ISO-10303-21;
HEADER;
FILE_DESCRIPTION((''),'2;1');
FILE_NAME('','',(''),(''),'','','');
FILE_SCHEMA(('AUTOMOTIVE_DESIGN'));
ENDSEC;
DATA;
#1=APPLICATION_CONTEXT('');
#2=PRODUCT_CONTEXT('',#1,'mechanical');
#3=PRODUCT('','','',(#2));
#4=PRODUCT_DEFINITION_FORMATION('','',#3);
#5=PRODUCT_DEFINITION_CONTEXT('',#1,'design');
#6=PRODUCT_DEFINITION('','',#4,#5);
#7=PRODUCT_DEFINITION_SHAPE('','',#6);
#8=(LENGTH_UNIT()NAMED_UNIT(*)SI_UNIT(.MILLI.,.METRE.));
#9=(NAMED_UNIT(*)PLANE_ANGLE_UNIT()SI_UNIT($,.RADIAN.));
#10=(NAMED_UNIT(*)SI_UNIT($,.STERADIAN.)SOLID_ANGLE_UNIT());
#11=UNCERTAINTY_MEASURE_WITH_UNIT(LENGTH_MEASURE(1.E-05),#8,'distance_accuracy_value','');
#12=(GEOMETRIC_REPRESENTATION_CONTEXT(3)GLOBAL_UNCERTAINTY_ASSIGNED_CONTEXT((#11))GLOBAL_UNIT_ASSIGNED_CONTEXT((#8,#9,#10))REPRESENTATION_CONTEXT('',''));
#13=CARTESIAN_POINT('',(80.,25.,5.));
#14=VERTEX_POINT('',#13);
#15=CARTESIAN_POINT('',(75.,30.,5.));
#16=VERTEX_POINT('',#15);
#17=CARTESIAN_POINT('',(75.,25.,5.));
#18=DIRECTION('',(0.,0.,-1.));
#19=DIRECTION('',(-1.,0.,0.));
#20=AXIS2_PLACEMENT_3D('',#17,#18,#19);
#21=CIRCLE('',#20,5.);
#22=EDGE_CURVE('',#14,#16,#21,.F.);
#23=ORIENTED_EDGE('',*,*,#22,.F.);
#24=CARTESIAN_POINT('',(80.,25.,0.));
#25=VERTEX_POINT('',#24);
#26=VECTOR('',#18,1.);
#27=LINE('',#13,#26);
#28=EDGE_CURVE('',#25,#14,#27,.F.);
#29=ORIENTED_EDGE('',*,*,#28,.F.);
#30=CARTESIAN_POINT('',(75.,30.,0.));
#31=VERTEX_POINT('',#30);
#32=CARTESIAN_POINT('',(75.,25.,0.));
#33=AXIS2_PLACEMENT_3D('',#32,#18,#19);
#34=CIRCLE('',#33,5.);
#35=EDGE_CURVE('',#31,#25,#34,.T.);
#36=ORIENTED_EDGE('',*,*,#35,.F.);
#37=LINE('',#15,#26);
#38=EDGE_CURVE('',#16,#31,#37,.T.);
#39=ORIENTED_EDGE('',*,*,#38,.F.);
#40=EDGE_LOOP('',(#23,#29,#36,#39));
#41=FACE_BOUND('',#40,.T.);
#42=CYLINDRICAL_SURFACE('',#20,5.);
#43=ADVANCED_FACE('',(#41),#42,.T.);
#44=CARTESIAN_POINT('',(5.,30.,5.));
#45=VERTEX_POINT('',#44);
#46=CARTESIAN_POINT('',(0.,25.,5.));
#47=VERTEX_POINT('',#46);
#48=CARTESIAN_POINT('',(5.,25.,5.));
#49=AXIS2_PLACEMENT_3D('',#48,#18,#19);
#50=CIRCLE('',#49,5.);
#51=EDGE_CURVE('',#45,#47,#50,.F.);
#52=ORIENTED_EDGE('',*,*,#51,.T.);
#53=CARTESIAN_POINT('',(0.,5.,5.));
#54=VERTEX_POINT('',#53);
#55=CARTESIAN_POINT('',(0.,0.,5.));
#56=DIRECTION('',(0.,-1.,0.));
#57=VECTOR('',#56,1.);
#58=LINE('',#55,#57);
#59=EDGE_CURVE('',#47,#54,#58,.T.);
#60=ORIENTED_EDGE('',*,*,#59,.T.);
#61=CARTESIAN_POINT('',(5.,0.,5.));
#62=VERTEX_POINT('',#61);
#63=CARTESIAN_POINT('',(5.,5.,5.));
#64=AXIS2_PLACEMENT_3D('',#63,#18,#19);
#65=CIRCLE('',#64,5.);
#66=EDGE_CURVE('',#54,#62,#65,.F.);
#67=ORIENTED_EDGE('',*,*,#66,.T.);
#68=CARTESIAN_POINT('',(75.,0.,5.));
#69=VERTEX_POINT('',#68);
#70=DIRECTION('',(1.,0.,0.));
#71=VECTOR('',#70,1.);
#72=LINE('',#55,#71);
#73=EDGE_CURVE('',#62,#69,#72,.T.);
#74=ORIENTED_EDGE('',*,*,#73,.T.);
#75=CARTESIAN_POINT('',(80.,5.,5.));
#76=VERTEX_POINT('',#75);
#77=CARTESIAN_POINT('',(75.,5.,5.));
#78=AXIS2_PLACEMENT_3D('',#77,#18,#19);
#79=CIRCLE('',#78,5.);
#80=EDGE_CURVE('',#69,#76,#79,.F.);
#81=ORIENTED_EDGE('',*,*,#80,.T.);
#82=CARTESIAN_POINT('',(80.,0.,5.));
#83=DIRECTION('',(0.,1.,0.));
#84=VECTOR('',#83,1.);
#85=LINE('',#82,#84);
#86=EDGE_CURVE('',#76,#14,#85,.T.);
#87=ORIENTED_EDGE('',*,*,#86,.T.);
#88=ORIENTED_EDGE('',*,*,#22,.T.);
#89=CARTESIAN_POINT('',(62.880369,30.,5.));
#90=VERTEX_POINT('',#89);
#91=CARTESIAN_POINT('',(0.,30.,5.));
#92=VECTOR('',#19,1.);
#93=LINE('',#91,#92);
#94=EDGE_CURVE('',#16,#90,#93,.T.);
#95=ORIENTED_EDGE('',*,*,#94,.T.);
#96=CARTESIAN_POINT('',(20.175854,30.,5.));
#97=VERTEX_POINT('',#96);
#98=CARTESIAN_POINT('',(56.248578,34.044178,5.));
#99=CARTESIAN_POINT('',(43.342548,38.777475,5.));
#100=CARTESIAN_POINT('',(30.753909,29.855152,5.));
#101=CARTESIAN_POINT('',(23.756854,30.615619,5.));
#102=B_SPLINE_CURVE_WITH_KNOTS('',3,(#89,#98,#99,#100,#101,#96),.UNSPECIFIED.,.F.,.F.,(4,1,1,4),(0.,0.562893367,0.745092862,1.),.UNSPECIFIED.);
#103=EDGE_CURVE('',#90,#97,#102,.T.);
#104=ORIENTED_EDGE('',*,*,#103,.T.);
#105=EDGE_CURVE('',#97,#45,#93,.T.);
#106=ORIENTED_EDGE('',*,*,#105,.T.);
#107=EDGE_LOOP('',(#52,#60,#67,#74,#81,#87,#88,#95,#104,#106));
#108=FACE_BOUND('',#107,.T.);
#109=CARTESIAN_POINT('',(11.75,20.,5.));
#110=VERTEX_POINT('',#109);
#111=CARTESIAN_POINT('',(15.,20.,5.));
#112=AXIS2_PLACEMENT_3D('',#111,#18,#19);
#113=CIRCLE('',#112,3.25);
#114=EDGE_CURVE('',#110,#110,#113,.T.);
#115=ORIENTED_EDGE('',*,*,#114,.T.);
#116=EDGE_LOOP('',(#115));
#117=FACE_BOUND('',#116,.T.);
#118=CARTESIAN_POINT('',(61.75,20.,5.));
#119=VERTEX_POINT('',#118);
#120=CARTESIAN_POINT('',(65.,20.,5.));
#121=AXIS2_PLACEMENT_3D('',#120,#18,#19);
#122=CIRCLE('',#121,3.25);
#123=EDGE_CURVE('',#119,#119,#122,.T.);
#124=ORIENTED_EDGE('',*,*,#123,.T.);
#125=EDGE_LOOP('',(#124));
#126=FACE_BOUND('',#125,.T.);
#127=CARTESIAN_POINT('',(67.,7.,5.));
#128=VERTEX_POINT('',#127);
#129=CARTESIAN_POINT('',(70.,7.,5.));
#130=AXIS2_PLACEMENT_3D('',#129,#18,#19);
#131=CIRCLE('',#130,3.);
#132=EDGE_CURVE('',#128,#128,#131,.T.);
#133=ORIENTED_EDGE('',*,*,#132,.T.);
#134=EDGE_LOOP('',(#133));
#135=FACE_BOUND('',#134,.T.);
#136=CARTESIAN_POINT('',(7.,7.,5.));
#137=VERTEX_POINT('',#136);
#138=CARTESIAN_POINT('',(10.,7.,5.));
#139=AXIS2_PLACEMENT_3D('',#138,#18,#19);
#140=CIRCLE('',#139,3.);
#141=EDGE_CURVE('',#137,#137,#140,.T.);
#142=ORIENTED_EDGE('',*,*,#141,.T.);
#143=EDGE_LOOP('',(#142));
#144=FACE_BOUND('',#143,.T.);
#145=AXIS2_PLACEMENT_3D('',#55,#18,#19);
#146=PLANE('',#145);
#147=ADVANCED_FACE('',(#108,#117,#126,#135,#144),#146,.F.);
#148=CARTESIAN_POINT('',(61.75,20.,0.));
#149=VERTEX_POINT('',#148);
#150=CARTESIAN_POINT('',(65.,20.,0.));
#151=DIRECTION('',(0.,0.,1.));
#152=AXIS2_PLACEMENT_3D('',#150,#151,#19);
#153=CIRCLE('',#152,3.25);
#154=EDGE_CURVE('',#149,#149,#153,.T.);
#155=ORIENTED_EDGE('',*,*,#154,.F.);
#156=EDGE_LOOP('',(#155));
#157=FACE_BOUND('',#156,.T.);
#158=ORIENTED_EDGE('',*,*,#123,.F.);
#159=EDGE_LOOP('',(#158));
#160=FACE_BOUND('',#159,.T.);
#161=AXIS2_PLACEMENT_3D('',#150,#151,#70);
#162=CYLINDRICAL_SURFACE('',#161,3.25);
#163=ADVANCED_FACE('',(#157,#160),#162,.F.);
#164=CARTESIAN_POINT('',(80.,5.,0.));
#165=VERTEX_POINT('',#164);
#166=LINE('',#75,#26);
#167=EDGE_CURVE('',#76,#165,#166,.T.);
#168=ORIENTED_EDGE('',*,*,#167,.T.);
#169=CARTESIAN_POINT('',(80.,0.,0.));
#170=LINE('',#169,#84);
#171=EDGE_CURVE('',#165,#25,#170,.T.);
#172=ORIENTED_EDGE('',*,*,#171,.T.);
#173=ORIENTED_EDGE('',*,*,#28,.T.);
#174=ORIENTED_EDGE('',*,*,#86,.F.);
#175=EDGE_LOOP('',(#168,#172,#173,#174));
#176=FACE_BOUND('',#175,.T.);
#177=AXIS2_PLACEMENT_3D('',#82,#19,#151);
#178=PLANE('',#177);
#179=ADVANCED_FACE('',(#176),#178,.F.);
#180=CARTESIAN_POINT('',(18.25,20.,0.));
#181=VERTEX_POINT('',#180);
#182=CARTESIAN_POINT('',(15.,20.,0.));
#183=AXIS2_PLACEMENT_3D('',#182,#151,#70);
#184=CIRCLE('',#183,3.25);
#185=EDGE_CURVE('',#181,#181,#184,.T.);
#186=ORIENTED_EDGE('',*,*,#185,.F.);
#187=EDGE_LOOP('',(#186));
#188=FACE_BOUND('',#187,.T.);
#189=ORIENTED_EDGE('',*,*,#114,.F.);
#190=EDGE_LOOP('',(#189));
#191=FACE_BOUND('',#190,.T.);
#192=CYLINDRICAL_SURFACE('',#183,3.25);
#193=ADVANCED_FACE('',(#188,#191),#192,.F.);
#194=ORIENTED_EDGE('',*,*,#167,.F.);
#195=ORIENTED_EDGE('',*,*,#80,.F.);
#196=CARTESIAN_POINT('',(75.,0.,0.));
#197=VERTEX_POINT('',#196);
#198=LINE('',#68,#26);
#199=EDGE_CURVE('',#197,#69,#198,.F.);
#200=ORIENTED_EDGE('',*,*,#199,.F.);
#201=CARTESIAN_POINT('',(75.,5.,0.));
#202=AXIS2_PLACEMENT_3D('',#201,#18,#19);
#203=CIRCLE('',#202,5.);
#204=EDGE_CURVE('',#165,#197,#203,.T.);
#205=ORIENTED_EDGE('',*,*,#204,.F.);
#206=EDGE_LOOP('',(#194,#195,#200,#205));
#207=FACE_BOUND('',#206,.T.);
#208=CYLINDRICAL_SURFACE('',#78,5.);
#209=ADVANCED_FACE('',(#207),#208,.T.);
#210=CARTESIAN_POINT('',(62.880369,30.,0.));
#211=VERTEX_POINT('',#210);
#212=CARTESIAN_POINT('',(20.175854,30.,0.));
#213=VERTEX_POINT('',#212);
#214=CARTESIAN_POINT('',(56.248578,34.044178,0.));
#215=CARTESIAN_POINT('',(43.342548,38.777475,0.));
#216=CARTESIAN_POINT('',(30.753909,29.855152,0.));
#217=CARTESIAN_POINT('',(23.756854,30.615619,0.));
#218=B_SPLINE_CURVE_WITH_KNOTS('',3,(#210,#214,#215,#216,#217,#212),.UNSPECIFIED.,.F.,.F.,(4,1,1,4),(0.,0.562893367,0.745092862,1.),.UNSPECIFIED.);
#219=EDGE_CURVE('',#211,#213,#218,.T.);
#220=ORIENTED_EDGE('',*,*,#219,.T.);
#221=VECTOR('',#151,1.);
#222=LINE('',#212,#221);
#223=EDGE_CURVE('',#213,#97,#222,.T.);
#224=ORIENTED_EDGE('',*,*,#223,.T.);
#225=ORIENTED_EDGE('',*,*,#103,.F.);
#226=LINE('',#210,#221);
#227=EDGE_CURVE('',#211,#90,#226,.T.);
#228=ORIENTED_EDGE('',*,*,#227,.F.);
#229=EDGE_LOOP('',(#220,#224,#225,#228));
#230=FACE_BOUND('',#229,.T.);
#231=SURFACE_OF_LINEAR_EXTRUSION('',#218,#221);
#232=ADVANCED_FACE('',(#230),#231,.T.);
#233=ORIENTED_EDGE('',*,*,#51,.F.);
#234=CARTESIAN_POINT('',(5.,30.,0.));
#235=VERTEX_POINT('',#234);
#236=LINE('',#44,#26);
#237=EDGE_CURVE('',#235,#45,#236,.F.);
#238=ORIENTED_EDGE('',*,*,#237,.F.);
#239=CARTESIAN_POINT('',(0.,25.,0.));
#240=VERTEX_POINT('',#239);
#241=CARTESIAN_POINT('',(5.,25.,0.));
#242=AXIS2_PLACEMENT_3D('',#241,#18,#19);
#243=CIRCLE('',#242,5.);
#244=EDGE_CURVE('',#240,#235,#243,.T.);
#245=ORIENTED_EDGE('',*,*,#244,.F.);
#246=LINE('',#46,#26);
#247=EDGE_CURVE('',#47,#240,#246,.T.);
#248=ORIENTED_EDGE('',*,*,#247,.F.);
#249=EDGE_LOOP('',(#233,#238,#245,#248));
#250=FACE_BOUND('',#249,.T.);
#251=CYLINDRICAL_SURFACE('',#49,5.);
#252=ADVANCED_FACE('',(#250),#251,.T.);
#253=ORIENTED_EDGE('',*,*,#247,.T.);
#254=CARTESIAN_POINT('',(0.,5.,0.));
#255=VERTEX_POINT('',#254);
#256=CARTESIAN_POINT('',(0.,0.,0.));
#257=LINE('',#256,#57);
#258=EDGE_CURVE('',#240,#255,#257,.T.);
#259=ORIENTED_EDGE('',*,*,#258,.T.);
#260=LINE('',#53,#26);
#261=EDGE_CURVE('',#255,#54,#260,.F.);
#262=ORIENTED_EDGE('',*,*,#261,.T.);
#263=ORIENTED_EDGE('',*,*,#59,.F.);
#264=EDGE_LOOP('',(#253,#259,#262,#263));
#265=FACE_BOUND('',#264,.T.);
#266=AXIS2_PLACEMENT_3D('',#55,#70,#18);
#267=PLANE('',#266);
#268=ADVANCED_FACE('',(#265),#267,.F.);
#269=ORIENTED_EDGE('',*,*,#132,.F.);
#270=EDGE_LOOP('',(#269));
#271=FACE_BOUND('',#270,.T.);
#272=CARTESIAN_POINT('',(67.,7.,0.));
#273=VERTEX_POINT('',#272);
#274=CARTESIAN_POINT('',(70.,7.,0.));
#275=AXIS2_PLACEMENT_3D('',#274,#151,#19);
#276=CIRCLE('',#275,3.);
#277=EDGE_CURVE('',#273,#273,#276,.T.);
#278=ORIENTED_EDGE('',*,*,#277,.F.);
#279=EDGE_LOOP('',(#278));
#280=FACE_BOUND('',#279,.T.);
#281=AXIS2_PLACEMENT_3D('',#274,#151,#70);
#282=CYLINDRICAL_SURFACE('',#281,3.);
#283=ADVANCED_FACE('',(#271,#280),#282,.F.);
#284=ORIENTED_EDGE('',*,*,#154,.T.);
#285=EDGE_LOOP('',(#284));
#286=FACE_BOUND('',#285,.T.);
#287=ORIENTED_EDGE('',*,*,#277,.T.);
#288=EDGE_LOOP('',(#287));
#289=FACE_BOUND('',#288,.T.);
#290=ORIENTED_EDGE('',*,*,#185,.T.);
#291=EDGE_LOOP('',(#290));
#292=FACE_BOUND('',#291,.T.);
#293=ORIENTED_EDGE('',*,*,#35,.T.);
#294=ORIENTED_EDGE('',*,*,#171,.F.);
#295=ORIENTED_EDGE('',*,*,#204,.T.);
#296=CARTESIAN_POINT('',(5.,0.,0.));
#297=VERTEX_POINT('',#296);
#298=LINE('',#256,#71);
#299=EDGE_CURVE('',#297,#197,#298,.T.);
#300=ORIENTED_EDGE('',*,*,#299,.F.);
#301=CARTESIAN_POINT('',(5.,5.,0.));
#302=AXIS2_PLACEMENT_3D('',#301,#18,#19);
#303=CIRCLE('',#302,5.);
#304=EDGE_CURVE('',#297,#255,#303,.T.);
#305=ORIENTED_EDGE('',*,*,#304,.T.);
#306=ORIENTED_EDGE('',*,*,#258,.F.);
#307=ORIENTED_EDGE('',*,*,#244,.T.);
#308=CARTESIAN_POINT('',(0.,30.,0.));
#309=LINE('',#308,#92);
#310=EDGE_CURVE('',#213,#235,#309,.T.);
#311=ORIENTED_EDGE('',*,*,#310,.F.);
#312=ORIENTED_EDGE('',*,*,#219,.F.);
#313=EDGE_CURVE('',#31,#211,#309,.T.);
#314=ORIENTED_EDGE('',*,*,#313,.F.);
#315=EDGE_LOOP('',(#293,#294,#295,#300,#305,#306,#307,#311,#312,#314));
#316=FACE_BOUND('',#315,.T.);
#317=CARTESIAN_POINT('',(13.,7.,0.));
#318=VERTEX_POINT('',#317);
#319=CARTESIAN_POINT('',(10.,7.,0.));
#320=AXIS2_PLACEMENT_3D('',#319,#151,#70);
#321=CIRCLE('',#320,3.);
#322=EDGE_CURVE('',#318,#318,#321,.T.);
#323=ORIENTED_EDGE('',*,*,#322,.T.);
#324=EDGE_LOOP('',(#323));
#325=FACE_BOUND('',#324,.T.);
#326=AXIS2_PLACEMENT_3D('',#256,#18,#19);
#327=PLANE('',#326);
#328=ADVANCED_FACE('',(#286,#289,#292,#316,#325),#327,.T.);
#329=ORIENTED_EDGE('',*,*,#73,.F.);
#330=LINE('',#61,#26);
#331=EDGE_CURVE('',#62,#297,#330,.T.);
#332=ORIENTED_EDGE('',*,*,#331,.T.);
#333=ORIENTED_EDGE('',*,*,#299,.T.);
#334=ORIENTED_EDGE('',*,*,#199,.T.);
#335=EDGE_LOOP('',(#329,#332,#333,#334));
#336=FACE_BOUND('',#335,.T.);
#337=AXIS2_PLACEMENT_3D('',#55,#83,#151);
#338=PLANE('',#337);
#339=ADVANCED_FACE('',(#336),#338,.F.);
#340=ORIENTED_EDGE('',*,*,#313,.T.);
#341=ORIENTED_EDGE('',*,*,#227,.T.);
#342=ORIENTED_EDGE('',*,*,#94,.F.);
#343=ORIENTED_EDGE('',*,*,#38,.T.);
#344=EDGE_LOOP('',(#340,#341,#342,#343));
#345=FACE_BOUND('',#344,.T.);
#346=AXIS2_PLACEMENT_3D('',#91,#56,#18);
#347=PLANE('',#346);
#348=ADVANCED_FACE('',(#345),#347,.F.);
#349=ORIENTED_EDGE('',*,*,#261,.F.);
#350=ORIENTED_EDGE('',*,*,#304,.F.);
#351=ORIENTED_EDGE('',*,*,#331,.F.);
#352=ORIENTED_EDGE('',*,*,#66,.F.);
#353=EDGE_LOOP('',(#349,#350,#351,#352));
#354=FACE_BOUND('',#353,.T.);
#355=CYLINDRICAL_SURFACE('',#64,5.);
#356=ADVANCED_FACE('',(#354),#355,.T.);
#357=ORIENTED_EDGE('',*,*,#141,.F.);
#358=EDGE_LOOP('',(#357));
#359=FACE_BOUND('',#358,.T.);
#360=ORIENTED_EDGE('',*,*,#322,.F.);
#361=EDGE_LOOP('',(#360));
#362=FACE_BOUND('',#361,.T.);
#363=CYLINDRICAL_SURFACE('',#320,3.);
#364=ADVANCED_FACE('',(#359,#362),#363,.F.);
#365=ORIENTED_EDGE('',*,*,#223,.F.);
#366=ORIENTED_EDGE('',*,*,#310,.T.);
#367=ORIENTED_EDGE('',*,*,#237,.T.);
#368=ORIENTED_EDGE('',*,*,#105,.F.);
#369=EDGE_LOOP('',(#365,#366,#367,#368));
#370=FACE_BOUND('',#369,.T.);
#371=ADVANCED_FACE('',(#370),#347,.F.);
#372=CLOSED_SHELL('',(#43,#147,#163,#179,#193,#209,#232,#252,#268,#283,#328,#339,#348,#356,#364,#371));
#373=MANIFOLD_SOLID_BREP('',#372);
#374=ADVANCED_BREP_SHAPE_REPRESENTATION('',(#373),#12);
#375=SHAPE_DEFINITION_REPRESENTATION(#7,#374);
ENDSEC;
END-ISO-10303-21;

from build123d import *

# Parameters (mm, degrees)
ESQUISSE1_W                  = 80
ESQUISSE1_H                  = 30
BOSS_EXTRU_1_DEPTH           = 5
ENL_V_MAT_EXTRU_1_DEPTH      = 86.586213843
ENL_V_MAT_EXTRU_1_DEPTH_BACK = 86.586213843
ESQUISSE2_R                  = 3.25
ESQUISSE2_R_2                = 3
CONG_1_R                     = 5
BOSS_EXTRU_2_DEPTH           = 5


with BuildPart() as part:
    # Esquisse1 → Boss.-Extru.1 (new body)
    with BuildSketch(Plane.XY):
        with Locations((40, 15)):
            Rectangle(ESQUISSE1_W, ESQUISSE1_H)
    extrude(amount=BOSS_EXTRU_1_DEPTH)

    # Esquisse2 → Enlèv. mat.-Extru.1 (cut, two sides: drawn at the far end of the back side and taken through both)
    with BuildSketch(Plane.XY.offset(5).offset(-ENL_V_MAT_EXTRU_1_DEPTH_BACK)):
        with Locations((15, 20)):
            Circle(ESQUISSE2_R)
        with Locations(Location((65, 20, 0), (0, 0, 180))):
            Circle(ESQUISSE2_R)
        with Locations((10, 7)):
            Circle(ESQUISSE2_R_2)
        with Locations(Location((70, 7, 0), (0, 0, 180))):
            Circle(ESQUISSE2_R_2)
    extrude(amount=ENL_V_MAT_EXTRU_1_DEPTH + ENL_V_MAT_EXTRU_1_DEPTH_BACK, mode=Mode.SUBTRACT)

    # Congé1
    cong_1_edges = [part.edges().sort_by_distance(p)[0] for p in [
        (0, 30, 2.5),
        (80, 30, 2.5),
        (80, 0, 2.5),
        (0, 0, 2.5),
    ]]
    fillet(cong_1_edges, radius=CONG_1_R)

    # Esquisse3 → Boss.-Extru.2 (add)
    with BuildSketch(Plane.XY.offset(5)):
        with BuildLine():
            Line((20.175853906, 30), (62.880368617, 30))
            add(Edge.make_bspline(
                [(62.880368617, 30), (56.248577834, 34.044178021), (43.342547907, 38.777474561), (30.753908623, 29.855151718), (23.756853958, 30.615618698), (20.175853906, 30)],
                knots=[0, 0, 0, 0, 0.562893367, 0.745092862, 1, 1, 1, 1], degree=3))
        make_face()
    extrude(amount=-BOSS_EXTRU_2_DEPTH)


solid = part.part
